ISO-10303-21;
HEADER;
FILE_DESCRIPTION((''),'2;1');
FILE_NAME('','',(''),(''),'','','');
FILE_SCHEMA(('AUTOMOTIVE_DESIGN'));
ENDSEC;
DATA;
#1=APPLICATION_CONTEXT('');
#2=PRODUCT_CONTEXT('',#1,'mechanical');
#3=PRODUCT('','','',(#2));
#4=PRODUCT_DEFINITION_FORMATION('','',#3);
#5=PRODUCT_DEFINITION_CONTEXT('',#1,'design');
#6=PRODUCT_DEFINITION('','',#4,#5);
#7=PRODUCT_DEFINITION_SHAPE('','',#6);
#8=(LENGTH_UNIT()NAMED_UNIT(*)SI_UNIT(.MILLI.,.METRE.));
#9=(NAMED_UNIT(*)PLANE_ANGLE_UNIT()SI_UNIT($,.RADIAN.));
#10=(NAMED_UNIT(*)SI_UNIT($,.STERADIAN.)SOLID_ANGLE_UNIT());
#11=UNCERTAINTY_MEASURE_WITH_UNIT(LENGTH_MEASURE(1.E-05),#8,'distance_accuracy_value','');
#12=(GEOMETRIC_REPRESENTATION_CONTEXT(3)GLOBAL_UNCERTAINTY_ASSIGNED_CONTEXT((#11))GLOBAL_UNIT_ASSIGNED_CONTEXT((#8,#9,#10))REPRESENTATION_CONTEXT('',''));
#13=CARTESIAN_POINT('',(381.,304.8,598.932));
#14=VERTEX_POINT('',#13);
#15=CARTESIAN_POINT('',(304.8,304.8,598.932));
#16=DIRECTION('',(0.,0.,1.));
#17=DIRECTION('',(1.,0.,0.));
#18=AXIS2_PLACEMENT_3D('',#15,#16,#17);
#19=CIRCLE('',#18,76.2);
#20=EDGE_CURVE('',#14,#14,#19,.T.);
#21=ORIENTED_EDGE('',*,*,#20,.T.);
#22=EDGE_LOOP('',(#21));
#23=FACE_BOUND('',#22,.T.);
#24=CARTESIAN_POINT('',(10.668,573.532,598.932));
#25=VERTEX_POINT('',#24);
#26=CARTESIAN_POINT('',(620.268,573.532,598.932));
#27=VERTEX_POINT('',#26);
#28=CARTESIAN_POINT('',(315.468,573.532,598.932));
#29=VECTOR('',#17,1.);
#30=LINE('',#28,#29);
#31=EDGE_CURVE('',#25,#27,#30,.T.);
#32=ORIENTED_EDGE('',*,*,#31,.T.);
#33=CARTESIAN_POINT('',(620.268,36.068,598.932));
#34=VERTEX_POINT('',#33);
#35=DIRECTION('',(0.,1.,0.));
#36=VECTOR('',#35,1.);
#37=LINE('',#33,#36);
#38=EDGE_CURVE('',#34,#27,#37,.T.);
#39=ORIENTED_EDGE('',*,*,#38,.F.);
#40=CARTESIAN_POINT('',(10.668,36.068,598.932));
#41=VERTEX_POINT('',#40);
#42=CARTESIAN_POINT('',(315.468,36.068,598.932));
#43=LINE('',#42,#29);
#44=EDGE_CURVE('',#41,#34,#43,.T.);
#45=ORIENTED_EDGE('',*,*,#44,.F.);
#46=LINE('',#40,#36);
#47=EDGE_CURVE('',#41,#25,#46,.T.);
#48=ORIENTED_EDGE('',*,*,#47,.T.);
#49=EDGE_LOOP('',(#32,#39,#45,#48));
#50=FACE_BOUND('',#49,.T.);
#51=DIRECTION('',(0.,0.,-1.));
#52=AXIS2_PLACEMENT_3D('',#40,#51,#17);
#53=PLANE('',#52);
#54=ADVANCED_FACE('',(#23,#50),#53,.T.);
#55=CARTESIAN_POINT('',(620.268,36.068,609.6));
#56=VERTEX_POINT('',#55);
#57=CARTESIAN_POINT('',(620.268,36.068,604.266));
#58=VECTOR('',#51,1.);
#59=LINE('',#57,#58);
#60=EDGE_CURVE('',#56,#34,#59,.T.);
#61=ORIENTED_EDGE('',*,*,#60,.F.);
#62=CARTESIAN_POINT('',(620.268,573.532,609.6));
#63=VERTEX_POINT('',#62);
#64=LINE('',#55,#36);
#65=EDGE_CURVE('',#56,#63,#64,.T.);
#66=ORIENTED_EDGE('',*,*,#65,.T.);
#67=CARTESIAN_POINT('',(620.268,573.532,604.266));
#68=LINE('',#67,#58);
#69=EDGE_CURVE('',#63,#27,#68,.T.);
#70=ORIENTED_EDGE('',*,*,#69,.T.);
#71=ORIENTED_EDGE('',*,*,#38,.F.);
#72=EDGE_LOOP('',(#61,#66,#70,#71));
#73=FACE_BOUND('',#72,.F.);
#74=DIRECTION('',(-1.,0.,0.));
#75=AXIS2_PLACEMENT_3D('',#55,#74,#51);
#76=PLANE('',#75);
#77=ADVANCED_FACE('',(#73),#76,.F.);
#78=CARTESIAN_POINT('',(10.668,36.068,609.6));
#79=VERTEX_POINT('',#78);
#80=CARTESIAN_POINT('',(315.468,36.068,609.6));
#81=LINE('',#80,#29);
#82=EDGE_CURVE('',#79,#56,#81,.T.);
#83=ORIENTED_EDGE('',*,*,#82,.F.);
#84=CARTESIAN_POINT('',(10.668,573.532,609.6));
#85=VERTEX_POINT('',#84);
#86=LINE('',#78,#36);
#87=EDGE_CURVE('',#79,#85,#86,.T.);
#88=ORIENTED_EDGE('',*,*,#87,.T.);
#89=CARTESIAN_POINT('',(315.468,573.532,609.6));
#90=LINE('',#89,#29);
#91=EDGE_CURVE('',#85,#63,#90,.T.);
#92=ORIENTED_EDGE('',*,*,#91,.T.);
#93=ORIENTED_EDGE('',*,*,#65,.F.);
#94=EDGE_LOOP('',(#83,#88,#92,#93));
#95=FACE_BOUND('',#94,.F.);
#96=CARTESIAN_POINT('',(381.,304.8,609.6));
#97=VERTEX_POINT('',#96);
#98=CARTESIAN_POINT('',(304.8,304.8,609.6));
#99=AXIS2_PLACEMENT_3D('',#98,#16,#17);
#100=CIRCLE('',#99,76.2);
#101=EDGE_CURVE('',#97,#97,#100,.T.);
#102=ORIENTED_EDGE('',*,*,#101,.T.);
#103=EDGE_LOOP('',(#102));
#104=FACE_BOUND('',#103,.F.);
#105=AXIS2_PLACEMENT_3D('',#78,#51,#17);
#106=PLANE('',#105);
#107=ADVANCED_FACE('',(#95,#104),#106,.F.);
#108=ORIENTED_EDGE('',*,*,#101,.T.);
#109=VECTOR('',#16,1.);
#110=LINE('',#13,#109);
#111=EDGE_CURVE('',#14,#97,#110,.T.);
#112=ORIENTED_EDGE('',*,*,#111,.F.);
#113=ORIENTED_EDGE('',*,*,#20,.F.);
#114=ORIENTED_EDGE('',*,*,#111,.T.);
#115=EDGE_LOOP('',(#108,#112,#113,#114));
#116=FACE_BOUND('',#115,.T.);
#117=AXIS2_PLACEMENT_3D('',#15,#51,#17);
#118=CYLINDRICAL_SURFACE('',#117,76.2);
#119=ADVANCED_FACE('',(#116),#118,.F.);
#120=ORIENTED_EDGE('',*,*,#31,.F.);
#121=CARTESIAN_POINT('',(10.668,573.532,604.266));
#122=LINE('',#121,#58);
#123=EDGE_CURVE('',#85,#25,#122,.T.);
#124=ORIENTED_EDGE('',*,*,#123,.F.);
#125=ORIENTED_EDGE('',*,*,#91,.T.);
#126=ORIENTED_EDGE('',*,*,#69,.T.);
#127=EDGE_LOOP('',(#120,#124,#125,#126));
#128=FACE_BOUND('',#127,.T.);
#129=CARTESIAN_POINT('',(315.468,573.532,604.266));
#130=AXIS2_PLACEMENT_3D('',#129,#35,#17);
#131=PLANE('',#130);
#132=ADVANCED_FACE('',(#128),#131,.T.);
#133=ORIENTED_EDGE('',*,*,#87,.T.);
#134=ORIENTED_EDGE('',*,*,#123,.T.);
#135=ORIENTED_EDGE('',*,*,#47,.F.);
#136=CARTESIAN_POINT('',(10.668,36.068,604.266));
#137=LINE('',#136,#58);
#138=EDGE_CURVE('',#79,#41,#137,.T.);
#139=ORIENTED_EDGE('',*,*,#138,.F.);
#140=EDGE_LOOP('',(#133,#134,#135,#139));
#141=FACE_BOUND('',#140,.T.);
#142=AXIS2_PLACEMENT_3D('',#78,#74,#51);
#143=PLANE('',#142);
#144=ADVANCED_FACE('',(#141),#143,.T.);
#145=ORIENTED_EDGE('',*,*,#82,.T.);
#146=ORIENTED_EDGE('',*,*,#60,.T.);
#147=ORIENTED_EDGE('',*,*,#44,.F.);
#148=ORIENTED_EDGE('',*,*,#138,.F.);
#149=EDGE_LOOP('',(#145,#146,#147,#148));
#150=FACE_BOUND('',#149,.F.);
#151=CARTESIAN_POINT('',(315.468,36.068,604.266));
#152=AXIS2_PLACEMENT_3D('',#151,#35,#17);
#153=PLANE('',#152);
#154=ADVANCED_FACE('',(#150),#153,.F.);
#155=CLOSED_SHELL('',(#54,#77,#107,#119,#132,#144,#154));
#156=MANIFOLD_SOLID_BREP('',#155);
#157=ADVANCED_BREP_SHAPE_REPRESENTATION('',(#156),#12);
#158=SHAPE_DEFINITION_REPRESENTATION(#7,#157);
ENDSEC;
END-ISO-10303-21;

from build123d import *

# Parameters (mm, degrees)
CYLINDER_R        = 76.2
CYLINDER_DEPTH    = 10.668
BOX010_W          = 609.6
BOX010_H          = 10.668
BOX010_DEPTH      = 537.464
BOX010_ROLL_ANGLE = -90.0000000001


with BuildPart() as cablecutout:
    # Cylinder → Cylinder (new body)
    with BuildSketch(Plane(origin=(304.8, 304.8, 598.932), x_dir=(1, 0, 0), z_dir=(0, 0, 1))):
        Circle(CYLINDER_R)
    extrude(amount=CYLINDER_DEPTH)


with BuildPart() as centersupport:
    # Box010 → Box010 (new body)
    with BuildSketch(Plane.XY):
        with Locations((304.8, 5.334)):
            Rectangle(BOX010_W, BOX010_H)
    extrude(amount=BOX010_DEPTH)


with BuildPart() as centersupport_1:
    # Box010 roll: moved
    add(centersupport.part.rotate(Axis((0, 0, 0), (1, 0, 0)), BOX010_ROLL_ANGLE))


with BuildPart() as centersupport_2:
    # Box010 placement: moved
    add(centersupport_1.part.moved(Location((10.668, 36.068, 609.6))))

    # Cut: cut CableCutout
    add(cablecutout.part, mode=Mode.SUBTRACT)


solid = centersupport_2.part
